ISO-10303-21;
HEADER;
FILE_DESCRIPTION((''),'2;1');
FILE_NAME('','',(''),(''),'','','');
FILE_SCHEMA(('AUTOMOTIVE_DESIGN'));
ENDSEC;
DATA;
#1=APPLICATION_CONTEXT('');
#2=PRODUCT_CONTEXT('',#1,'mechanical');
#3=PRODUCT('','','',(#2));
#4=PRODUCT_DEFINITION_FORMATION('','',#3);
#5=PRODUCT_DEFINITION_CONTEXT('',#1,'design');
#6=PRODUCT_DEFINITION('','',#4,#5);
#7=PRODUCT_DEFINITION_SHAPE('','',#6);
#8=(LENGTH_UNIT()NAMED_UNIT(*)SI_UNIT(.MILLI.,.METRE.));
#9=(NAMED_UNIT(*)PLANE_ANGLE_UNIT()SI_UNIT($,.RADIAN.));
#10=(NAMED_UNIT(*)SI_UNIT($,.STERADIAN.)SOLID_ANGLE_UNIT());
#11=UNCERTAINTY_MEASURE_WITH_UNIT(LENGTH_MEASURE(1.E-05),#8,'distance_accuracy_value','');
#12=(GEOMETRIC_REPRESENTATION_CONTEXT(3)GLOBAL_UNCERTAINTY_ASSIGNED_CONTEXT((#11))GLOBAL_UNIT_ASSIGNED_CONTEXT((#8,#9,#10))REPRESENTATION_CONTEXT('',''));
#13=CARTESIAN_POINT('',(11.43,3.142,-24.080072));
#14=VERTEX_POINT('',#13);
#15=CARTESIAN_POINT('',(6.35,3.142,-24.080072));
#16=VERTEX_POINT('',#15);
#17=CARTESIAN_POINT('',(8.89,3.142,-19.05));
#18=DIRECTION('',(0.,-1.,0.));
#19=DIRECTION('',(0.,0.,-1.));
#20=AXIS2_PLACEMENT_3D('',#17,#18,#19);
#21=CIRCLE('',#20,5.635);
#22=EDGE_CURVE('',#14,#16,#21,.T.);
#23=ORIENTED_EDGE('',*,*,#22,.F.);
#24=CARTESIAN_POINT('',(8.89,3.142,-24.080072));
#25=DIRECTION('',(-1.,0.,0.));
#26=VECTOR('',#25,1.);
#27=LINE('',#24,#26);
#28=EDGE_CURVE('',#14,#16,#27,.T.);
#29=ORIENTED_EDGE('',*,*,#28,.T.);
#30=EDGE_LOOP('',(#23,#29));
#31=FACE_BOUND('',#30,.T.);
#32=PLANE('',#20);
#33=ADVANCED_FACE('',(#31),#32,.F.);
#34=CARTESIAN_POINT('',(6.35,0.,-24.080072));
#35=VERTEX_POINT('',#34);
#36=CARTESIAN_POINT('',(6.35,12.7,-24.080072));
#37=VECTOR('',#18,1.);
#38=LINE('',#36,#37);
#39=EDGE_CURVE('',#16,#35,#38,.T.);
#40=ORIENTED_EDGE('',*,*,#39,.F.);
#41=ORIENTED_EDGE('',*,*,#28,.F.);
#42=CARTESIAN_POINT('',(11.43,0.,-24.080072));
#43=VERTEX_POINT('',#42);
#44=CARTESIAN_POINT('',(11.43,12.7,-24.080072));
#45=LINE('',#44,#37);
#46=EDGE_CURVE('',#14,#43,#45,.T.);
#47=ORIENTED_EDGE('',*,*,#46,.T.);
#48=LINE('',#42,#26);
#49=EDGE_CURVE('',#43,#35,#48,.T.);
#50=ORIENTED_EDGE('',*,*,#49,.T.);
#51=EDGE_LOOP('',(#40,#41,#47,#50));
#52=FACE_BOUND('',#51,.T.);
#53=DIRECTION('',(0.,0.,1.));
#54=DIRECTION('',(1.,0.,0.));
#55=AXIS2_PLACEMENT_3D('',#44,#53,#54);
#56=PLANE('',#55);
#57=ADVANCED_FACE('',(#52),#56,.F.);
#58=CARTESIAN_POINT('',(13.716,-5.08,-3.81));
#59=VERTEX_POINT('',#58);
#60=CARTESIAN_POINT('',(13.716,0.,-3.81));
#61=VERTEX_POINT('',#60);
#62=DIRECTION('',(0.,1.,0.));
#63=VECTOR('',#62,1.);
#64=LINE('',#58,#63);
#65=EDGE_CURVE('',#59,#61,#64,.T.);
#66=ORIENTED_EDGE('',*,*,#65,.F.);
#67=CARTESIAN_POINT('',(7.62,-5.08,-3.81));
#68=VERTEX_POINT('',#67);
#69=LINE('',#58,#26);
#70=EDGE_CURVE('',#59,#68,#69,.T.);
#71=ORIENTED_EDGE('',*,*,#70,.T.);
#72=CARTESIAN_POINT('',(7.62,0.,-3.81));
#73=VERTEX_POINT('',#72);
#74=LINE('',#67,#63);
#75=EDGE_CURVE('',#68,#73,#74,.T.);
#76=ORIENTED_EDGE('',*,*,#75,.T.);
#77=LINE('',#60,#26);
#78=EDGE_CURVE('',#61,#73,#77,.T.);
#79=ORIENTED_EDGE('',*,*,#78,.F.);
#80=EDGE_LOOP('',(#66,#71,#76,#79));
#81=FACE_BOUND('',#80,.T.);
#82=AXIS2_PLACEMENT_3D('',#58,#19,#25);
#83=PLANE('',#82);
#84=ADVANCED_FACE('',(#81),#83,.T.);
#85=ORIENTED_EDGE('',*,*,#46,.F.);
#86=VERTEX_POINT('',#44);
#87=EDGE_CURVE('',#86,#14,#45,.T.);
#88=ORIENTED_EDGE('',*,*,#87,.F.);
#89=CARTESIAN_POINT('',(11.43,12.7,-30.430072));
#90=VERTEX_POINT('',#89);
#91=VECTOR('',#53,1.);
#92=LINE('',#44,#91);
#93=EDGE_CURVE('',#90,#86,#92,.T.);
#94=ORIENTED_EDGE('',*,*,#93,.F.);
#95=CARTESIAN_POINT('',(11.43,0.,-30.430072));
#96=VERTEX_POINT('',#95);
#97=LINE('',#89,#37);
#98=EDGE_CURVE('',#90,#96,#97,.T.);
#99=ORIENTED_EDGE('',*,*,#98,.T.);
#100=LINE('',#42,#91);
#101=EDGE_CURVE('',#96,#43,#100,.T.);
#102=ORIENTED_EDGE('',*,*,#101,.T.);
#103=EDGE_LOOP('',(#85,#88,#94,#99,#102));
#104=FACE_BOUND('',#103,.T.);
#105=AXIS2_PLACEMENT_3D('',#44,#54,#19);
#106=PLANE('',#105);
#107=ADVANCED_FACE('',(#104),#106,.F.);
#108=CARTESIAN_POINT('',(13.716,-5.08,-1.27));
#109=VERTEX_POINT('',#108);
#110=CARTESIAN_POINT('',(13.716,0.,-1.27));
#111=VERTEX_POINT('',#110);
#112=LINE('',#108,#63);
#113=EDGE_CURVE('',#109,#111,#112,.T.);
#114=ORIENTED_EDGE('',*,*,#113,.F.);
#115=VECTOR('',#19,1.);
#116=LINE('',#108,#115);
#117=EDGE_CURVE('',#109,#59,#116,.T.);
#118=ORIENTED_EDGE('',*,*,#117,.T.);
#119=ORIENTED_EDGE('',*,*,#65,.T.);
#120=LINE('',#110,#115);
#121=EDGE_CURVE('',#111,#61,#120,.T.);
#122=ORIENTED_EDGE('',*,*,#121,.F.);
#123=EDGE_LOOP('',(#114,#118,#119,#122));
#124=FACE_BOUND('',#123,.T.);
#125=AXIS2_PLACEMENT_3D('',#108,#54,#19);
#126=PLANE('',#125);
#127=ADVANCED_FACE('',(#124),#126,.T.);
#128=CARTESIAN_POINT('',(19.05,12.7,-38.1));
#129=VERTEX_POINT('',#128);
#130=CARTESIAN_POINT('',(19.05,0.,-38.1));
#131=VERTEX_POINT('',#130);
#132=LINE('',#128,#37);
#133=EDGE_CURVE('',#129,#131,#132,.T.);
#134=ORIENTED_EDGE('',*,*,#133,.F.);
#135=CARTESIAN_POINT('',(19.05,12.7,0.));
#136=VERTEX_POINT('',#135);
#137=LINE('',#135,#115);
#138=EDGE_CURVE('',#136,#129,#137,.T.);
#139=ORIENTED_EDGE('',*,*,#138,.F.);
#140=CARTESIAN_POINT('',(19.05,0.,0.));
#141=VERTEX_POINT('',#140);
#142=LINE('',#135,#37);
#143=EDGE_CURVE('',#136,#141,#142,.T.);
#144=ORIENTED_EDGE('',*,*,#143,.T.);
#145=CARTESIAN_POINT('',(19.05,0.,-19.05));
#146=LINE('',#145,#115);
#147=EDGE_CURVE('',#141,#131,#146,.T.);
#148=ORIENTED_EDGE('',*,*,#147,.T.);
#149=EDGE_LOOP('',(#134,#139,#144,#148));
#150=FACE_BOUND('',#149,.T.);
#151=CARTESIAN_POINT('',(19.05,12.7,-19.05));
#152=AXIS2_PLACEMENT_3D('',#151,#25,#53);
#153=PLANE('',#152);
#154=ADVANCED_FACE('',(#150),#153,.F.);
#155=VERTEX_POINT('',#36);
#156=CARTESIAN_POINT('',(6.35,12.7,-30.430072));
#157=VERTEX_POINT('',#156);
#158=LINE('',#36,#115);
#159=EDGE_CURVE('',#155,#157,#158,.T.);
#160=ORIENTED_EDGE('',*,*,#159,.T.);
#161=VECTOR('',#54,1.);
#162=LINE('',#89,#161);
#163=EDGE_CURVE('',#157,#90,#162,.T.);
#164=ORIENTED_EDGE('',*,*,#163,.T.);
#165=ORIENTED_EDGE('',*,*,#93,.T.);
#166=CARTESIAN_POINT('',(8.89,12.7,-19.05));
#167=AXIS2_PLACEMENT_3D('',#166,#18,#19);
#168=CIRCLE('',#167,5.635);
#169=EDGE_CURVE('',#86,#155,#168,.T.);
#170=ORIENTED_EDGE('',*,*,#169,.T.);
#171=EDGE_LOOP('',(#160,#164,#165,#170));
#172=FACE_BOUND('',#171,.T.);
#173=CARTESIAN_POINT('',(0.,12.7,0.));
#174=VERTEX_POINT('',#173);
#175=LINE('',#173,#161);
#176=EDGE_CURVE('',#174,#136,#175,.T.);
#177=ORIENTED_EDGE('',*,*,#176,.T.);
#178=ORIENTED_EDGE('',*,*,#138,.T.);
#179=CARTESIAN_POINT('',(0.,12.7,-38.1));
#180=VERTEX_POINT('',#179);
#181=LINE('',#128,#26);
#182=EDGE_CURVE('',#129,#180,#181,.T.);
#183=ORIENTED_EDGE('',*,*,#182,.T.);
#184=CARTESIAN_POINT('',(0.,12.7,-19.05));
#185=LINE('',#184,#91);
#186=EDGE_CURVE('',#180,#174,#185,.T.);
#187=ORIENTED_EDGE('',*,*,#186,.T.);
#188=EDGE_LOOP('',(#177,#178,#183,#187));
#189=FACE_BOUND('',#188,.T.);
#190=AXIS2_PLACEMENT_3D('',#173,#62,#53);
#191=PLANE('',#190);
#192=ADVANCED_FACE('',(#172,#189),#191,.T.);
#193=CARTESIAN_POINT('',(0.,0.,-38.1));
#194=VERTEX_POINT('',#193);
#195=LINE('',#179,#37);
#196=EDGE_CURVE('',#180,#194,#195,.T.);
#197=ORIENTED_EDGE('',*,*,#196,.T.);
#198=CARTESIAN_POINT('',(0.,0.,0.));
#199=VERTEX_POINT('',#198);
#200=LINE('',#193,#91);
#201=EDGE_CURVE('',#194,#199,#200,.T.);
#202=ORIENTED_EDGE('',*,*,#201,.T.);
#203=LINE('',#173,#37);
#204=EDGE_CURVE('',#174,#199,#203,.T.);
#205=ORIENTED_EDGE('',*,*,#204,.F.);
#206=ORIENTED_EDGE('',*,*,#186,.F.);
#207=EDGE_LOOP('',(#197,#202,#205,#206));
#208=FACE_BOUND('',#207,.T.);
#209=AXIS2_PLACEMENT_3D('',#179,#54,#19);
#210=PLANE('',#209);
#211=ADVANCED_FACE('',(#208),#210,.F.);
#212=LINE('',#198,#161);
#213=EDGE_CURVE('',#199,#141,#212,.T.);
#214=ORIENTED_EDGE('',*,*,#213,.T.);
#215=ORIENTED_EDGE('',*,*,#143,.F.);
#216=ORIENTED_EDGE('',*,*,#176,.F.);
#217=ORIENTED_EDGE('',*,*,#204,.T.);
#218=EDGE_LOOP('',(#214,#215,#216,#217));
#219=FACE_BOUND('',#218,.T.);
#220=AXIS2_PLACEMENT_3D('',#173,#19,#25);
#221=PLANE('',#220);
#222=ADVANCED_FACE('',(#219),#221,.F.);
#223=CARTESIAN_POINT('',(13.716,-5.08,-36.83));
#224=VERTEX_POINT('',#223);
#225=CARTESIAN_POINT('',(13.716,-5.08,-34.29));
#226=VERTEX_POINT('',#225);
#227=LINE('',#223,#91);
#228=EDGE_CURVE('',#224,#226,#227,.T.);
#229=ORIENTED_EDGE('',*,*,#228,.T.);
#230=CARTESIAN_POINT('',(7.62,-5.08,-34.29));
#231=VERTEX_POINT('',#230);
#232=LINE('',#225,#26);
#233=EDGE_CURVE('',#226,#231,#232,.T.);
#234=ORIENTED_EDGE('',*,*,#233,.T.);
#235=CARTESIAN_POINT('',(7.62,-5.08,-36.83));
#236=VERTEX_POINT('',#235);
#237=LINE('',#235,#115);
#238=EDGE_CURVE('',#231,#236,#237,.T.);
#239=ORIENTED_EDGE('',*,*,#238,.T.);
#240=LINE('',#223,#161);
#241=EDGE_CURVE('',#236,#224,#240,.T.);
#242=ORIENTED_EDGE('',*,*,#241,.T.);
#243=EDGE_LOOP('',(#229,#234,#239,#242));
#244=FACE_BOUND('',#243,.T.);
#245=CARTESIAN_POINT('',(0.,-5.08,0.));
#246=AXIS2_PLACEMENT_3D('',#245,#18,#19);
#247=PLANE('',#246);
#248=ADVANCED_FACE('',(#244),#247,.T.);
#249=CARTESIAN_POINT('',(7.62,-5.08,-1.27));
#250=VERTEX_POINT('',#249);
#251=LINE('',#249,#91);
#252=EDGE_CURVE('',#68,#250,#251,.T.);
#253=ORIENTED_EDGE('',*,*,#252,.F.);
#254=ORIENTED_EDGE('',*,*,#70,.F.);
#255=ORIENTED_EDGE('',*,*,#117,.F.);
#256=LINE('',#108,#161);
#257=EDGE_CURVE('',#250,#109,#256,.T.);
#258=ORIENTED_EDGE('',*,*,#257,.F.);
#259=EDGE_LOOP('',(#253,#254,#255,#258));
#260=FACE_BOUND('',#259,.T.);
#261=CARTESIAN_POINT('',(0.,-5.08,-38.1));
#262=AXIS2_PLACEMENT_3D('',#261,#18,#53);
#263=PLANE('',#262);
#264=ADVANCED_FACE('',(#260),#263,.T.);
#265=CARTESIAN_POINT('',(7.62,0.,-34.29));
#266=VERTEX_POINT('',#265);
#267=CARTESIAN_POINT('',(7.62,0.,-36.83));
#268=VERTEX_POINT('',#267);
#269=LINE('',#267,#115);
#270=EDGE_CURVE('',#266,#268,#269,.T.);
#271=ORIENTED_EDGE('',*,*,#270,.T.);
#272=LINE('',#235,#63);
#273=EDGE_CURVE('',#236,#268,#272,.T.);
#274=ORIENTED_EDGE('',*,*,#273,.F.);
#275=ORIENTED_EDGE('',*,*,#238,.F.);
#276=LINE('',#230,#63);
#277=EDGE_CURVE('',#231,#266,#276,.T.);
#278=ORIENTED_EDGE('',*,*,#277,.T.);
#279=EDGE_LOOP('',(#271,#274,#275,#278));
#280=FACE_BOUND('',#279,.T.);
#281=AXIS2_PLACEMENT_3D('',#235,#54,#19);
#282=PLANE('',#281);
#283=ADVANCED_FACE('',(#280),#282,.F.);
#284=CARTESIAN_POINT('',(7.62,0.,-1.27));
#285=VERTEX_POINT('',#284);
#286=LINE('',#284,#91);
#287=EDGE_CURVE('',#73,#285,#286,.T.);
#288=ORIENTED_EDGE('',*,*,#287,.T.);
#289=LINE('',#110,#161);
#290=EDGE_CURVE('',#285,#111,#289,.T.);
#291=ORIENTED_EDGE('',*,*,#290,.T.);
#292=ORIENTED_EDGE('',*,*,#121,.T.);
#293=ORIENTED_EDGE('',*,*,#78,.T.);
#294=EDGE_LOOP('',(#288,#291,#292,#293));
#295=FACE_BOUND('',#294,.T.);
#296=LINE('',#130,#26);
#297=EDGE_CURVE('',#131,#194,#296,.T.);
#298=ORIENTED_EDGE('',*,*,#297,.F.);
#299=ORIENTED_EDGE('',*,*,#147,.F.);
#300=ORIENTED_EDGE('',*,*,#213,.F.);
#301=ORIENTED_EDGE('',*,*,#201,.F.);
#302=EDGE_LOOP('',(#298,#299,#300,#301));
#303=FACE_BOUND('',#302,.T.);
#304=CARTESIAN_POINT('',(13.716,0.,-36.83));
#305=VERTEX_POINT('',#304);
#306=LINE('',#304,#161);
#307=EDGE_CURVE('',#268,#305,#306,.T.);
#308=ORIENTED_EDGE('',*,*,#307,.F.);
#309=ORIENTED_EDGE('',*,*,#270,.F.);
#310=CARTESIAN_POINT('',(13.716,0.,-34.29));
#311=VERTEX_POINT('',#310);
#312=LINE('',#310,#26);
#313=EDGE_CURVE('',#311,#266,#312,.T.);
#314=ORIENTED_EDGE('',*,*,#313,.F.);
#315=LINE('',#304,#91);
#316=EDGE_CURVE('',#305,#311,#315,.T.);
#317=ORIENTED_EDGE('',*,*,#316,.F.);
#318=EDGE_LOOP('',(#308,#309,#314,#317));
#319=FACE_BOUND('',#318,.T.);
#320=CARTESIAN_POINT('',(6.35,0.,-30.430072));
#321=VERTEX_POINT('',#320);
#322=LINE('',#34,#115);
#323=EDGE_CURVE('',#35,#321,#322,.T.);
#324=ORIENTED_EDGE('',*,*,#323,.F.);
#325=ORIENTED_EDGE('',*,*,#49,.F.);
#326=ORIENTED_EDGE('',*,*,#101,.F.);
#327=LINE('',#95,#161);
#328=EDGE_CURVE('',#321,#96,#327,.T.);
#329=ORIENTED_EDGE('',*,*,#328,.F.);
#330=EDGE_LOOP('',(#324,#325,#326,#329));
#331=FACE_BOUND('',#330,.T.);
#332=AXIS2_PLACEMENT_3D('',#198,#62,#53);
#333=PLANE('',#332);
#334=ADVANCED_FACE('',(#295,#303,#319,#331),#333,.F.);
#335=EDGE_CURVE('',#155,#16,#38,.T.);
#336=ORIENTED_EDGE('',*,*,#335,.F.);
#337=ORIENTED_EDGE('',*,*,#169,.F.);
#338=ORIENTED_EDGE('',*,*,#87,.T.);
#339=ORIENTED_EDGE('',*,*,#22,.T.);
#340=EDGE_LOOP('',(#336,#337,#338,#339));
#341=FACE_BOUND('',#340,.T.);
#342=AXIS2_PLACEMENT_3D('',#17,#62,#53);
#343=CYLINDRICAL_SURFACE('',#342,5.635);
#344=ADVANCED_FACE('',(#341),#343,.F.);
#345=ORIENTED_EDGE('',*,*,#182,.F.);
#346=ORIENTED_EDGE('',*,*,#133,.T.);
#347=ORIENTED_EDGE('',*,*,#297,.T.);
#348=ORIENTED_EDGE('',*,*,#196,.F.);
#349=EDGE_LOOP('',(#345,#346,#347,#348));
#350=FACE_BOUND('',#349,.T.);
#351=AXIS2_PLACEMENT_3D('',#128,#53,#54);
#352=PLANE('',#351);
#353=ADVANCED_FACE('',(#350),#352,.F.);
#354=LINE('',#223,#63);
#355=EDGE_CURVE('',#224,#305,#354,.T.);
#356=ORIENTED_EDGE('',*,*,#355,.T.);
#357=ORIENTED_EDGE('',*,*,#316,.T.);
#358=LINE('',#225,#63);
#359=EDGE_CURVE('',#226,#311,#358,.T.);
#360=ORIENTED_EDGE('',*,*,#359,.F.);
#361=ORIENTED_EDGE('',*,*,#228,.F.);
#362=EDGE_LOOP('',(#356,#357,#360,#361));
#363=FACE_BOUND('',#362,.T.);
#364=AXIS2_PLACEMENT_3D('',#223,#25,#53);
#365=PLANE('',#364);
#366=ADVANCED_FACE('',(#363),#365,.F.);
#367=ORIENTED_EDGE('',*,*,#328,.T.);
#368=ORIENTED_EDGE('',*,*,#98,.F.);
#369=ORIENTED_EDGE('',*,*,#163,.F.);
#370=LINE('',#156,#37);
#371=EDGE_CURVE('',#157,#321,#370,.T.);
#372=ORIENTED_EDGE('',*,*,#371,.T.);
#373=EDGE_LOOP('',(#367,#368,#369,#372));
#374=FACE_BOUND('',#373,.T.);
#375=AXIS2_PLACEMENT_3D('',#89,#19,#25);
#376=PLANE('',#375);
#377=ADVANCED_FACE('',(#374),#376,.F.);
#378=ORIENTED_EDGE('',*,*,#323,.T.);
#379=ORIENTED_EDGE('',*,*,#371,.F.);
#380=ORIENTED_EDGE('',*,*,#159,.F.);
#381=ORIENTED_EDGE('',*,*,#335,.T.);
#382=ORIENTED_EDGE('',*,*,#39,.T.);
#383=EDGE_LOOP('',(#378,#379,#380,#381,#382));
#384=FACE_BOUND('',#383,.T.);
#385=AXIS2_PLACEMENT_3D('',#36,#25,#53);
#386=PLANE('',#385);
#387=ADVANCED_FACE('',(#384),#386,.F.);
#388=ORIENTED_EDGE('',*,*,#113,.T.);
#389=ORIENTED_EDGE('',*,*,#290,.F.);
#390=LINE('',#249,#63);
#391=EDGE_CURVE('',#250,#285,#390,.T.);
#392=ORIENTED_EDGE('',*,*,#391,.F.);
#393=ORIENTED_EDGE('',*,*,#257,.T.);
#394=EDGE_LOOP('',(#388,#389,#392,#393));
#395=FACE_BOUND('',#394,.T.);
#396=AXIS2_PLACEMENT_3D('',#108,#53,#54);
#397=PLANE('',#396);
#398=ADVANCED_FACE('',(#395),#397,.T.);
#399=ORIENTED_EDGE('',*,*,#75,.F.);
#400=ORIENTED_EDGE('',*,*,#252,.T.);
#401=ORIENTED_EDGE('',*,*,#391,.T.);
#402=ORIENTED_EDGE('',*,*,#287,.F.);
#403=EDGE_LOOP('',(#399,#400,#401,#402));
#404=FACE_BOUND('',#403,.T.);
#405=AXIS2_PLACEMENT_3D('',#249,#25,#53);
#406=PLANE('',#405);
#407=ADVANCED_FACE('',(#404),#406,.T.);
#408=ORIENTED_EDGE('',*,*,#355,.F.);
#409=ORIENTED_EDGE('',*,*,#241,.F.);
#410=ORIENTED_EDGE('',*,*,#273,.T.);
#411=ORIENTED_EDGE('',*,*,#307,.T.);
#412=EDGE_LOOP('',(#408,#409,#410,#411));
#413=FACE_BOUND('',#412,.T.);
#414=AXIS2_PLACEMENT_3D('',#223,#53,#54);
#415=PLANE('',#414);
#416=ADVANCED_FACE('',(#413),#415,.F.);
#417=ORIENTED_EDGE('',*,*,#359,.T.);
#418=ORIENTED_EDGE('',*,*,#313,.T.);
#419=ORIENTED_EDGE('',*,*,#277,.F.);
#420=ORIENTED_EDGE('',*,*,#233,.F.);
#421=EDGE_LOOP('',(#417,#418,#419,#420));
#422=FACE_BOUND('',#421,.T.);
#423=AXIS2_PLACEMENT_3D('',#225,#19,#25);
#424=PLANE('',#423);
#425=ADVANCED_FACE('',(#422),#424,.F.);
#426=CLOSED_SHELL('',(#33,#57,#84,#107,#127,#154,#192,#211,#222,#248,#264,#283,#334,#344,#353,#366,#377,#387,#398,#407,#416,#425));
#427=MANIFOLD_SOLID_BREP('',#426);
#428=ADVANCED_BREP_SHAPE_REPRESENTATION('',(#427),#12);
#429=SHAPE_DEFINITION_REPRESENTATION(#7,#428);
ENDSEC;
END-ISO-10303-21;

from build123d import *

# Parameters (mm, degrees)
BOSS_EXTRUDE1_DEPTH       = 12.7
SKETCH2_R                 = 5.635000033
HAPTIC_MOTOR_CUTOUT_DEPTH = 9.557999934
SKETCH3_W                 = 5.08
SKETCH3_H                 = 6.35
HAPTIC_WIRE_CUTOUT_DEPTH  = 13.7
SKETCH4_W                 = 6.096
SKETCH4_H                 = 2.54
PINS_DEPTH                = 5.08


with BuildPart() as part:
    # Sketch1 → Boss-Extrude1 (new body)
    with BuildSketch(Plane(origin=(0, 0, 0), x_dir=(1, 0, 0), z_dir=(0, 1, 0))):
        Polygon((0, 0), (19.05, 0), (19.05, 19.05), (19.05, 38.1), (0, 38.1), (0, 19.05), align=None)
    extrude(amount=BOSS_EXTRUDE1_DEPTH)

    # Sketch2 → Haptic Motor Cutout (cut)
    with BuildSketch(Plane.XZ.offset(-12.7)):
        with Locations((8.89, -19.05)):
            Circle(SKETCH2_R)
    extrude(amount=HAPTIC_MOTOR_CUTOUT_DEPTH, mode=Mode.SUBTRACT)

    # Sketch3 → Haptic Wire Cutout (cut, through all)
    with BuildSketch(Plane.XZ):
        with Locations((8.89, -27.255072104)):
            Rectangle(SKETCH3_W, SKETCH3_H)
    extrude(amount=-HAPTIC_WIRE_CUTOUT_DEPTH, mode=Mode.SUBTRACT)

    # Sketch4 → Pins (add)
    with BuildSketch(Plane.XZ):
        with Locations((10.668, -35.56)):
            Rectangle(SKETCH4_W, SKETCH4_H)
    pins = extrude(amount=PINS_DEPTH)

    # Mirror1: Pins across plane
    add(pins.mirror(Plane(origin=(0, 0, -19.05), x_dir=(1, 0, 0), z_dir=(0, 0, -1))))


solid = part.part
